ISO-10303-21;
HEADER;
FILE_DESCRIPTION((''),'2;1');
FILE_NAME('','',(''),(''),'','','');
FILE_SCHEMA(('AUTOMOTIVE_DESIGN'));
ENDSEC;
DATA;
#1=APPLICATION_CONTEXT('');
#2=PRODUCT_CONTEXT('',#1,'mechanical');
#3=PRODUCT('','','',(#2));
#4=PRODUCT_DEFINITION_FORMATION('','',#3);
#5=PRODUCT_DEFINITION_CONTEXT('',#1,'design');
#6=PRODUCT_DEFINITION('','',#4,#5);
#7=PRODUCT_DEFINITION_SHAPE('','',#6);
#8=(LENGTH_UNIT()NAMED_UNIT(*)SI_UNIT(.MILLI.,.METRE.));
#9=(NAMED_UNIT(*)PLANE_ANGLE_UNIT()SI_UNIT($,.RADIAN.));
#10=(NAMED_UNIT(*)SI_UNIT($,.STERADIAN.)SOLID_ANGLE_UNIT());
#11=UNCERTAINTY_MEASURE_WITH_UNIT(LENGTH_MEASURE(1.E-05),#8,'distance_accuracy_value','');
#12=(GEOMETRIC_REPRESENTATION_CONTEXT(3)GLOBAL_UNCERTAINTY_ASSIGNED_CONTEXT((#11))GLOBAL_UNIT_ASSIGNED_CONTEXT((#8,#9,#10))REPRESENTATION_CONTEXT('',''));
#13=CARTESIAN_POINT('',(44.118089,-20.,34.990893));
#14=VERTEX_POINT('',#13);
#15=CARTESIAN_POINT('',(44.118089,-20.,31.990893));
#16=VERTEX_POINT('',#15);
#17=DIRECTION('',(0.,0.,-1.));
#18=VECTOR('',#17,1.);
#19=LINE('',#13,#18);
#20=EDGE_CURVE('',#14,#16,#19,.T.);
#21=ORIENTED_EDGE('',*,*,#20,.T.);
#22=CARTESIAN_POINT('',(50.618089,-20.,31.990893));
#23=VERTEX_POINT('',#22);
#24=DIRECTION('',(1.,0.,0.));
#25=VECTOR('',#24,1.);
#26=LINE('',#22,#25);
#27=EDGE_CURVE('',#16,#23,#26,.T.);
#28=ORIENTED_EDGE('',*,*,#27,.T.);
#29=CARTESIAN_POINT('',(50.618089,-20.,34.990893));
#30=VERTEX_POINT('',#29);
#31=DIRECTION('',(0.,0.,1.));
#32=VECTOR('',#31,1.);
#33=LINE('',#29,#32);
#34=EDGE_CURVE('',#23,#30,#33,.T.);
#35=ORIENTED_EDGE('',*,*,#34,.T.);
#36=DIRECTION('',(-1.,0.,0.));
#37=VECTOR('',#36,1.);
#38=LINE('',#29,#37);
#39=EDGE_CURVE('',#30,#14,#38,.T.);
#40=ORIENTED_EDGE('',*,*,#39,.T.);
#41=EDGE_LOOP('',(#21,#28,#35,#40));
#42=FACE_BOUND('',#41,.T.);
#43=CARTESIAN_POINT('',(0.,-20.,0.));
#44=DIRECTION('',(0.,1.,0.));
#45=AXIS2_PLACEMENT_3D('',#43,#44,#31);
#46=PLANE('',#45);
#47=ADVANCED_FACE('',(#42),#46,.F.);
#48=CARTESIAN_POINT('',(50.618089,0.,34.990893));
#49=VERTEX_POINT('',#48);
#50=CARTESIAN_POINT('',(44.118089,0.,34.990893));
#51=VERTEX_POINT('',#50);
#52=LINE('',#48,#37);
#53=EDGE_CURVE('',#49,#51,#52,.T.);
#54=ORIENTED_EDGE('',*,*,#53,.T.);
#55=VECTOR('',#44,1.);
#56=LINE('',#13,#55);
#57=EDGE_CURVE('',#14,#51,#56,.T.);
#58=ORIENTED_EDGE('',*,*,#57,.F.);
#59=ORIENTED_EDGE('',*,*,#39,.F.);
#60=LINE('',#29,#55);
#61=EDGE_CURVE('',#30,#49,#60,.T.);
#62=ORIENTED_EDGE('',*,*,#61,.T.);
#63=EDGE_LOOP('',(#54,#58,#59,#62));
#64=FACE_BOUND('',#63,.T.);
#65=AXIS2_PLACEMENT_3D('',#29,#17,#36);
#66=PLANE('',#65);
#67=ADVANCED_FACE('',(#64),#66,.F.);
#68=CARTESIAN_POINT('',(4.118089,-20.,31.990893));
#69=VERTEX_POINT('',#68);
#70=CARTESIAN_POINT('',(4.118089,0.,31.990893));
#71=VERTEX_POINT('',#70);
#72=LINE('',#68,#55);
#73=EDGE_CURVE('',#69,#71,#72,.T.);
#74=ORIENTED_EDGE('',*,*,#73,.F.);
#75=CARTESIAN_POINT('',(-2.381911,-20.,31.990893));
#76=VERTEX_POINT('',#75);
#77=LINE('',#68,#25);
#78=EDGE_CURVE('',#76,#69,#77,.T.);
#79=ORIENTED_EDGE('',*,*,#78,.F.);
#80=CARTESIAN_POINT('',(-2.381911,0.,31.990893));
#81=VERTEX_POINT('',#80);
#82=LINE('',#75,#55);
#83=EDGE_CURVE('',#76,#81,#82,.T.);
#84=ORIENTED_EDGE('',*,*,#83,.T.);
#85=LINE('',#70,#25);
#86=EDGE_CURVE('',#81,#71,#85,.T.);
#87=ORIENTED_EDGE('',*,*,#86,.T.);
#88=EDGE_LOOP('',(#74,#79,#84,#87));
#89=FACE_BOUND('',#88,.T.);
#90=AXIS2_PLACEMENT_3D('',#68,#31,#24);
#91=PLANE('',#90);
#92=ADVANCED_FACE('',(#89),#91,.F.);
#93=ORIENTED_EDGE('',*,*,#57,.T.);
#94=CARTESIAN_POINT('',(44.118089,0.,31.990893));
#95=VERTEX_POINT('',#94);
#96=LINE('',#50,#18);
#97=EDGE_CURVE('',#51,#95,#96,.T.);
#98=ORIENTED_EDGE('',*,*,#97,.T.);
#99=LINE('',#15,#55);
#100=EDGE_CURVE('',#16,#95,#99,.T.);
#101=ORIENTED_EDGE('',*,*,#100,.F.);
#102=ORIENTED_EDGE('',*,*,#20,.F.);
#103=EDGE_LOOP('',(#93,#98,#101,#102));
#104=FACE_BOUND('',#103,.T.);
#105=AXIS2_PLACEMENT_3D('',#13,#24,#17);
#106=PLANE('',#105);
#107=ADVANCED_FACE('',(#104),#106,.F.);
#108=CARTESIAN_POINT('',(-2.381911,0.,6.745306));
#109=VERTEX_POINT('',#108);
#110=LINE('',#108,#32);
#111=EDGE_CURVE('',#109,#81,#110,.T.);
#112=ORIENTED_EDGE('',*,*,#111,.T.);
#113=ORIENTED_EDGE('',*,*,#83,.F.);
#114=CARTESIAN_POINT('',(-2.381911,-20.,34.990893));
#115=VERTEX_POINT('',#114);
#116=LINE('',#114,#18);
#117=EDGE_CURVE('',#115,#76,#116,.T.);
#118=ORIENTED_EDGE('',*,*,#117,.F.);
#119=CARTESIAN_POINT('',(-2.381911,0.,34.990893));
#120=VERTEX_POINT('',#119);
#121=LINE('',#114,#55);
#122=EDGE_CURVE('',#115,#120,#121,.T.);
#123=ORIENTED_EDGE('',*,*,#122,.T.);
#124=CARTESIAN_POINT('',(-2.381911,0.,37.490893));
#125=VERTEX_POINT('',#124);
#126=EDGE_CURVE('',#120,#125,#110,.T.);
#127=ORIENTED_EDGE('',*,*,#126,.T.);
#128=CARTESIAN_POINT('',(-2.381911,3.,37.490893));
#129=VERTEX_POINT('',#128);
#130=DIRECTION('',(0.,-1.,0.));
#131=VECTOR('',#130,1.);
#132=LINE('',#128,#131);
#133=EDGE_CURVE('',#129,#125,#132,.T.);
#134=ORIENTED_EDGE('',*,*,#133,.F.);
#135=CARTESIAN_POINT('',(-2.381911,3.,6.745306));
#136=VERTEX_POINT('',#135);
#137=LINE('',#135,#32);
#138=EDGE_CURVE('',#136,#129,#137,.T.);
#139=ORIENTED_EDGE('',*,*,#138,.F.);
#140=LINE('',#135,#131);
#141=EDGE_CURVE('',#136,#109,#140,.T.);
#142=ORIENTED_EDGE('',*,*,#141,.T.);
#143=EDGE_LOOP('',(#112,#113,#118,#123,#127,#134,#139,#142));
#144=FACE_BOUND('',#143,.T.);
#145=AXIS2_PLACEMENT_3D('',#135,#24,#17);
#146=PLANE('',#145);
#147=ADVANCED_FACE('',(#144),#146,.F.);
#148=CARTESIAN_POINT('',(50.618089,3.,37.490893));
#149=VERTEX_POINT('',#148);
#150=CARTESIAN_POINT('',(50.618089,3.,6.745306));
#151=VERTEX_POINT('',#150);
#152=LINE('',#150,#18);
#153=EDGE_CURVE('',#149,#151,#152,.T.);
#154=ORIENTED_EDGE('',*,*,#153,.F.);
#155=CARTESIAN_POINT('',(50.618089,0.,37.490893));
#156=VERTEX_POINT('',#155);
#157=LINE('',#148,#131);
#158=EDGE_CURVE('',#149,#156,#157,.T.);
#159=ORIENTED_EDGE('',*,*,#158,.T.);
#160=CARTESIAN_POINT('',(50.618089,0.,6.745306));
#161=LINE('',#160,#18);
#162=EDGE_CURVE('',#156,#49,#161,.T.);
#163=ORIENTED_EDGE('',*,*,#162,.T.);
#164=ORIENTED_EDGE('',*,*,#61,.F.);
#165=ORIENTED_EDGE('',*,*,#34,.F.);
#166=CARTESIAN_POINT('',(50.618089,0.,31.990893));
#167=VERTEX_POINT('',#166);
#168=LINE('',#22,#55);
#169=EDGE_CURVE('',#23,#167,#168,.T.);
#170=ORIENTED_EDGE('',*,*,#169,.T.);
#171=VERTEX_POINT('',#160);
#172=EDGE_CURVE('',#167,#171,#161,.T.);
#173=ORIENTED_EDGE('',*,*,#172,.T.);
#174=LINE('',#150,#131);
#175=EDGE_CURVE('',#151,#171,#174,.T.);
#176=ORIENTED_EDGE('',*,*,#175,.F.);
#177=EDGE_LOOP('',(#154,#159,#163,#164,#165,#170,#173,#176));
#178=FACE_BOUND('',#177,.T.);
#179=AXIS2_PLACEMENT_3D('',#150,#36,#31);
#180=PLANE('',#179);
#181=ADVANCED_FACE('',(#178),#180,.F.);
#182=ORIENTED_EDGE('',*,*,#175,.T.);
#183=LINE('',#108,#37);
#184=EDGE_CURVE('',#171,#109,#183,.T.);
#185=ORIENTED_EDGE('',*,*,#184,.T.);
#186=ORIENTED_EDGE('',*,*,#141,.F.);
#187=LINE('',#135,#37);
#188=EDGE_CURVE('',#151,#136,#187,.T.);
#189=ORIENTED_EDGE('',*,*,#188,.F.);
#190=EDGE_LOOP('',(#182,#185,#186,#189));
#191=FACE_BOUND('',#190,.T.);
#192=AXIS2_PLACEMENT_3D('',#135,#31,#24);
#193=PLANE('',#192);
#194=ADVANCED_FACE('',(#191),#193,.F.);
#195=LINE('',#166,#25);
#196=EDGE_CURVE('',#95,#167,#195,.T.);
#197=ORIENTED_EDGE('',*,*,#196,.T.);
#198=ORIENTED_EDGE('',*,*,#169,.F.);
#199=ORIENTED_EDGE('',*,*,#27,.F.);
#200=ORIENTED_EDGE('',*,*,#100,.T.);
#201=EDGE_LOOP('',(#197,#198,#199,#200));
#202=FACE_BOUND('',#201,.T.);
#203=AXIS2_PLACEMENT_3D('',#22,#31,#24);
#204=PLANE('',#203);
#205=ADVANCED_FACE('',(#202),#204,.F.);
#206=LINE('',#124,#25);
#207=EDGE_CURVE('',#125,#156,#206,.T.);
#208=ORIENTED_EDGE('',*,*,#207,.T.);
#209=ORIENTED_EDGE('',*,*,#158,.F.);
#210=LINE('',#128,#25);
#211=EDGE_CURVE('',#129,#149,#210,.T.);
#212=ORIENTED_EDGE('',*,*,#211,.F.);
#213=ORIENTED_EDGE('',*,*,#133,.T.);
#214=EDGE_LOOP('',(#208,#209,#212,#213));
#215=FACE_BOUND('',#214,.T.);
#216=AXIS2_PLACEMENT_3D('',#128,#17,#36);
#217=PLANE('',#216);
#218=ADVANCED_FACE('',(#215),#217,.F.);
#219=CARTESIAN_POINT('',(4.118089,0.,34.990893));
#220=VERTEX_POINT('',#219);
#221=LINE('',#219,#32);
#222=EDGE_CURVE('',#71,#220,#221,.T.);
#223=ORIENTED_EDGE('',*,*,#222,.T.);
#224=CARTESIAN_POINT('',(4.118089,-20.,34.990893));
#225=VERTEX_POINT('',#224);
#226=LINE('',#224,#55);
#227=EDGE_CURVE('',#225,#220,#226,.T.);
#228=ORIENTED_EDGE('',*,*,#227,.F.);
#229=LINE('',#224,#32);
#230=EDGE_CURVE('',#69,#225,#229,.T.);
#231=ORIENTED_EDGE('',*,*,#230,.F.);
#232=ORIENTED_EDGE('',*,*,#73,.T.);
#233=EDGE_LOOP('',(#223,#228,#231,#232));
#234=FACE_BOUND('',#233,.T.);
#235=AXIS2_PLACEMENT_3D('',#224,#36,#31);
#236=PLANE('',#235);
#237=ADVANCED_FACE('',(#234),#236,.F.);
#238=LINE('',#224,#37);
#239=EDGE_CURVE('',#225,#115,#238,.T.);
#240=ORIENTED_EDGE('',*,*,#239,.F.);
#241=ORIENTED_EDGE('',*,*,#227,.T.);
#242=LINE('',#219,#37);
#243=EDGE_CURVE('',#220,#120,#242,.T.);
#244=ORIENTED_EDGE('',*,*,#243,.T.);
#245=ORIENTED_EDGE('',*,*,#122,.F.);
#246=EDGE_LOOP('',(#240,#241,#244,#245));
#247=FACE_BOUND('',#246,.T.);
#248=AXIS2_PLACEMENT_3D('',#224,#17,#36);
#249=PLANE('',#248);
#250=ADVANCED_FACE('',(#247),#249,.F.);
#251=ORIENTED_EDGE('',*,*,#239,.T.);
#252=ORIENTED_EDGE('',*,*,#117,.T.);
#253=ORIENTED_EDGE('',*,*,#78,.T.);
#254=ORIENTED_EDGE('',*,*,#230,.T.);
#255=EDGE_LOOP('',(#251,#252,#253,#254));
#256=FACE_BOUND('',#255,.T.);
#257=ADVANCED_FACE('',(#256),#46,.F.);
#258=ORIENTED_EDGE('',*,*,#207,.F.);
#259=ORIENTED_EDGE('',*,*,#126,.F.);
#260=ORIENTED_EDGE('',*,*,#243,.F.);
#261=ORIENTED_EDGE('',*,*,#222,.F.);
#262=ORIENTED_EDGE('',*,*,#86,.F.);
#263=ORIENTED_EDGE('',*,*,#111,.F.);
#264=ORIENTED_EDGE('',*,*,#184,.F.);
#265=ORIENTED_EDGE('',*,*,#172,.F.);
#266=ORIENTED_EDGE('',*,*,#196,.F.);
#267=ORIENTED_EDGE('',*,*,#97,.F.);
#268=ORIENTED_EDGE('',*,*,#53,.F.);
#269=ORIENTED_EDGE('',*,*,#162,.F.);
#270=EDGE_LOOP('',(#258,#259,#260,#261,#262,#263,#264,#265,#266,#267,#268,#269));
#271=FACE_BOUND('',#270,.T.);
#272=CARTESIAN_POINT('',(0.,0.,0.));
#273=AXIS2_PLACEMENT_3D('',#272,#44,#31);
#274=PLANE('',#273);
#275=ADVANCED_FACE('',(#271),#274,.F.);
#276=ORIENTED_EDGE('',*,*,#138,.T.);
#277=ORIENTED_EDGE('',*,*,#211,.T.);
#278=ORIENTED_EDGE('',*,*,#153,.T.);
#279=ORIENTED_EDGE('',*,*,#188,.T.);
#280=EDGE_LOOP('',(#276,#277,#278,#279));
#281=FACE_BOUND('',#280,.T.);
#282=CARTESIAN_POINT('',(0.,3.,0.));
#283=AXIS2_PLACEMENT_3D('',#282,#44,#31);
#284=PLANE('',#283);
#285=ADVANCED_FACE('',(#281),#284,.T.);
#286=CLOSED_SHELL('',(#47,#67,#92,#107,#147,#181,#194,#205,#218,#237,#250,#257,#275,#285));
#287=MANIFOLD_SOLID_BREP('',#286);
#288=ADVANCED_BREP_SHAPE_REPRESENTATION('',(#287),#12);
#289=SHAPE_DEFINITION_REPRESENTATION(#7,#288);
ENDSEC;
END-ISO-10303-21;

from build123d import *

# Parameters (mm, degrees)
SKETCH1_W           = 53
SKETCH1_H           = 30.745586227
BOSS_EXTRUDE1_DEPTH = 3
SKETCH2_W           = 6.5
SKETCH2_H           = 3
BOSS_EXTRUDE2_DEPTH = 20


with BuildPart() as part:
    # Sketch1 → Boss-Extrude1 (new body)
    with BuildSketch(Plane(origin=(0, 0, 0), x_dir=(1, 0, 0), z_dir=(0, 1, 0))):
        with Locations((24.118089155, -22.118099476)):
            Rectangle(SKETCH1_W, SKETCH1_H)
    extrude(amount=BOSS_EXTRUDE1_DEPTH)

    # Sketch2 → Boss-Extrude2 (add)
    with BuildSketch(Plane.XZ):
        with Locations((47.368089155, 33.49089259)):
            Rectangle(SKETCH2_W, SKETCH2_H)
        with Locations((0.868089155, 33.49089259)):
            Rectangle(SKETCH2_W, SKETCH2_H)
    extrude(amount=BOSS_EXTRUDE2_DEPTH)


solid = part.part
